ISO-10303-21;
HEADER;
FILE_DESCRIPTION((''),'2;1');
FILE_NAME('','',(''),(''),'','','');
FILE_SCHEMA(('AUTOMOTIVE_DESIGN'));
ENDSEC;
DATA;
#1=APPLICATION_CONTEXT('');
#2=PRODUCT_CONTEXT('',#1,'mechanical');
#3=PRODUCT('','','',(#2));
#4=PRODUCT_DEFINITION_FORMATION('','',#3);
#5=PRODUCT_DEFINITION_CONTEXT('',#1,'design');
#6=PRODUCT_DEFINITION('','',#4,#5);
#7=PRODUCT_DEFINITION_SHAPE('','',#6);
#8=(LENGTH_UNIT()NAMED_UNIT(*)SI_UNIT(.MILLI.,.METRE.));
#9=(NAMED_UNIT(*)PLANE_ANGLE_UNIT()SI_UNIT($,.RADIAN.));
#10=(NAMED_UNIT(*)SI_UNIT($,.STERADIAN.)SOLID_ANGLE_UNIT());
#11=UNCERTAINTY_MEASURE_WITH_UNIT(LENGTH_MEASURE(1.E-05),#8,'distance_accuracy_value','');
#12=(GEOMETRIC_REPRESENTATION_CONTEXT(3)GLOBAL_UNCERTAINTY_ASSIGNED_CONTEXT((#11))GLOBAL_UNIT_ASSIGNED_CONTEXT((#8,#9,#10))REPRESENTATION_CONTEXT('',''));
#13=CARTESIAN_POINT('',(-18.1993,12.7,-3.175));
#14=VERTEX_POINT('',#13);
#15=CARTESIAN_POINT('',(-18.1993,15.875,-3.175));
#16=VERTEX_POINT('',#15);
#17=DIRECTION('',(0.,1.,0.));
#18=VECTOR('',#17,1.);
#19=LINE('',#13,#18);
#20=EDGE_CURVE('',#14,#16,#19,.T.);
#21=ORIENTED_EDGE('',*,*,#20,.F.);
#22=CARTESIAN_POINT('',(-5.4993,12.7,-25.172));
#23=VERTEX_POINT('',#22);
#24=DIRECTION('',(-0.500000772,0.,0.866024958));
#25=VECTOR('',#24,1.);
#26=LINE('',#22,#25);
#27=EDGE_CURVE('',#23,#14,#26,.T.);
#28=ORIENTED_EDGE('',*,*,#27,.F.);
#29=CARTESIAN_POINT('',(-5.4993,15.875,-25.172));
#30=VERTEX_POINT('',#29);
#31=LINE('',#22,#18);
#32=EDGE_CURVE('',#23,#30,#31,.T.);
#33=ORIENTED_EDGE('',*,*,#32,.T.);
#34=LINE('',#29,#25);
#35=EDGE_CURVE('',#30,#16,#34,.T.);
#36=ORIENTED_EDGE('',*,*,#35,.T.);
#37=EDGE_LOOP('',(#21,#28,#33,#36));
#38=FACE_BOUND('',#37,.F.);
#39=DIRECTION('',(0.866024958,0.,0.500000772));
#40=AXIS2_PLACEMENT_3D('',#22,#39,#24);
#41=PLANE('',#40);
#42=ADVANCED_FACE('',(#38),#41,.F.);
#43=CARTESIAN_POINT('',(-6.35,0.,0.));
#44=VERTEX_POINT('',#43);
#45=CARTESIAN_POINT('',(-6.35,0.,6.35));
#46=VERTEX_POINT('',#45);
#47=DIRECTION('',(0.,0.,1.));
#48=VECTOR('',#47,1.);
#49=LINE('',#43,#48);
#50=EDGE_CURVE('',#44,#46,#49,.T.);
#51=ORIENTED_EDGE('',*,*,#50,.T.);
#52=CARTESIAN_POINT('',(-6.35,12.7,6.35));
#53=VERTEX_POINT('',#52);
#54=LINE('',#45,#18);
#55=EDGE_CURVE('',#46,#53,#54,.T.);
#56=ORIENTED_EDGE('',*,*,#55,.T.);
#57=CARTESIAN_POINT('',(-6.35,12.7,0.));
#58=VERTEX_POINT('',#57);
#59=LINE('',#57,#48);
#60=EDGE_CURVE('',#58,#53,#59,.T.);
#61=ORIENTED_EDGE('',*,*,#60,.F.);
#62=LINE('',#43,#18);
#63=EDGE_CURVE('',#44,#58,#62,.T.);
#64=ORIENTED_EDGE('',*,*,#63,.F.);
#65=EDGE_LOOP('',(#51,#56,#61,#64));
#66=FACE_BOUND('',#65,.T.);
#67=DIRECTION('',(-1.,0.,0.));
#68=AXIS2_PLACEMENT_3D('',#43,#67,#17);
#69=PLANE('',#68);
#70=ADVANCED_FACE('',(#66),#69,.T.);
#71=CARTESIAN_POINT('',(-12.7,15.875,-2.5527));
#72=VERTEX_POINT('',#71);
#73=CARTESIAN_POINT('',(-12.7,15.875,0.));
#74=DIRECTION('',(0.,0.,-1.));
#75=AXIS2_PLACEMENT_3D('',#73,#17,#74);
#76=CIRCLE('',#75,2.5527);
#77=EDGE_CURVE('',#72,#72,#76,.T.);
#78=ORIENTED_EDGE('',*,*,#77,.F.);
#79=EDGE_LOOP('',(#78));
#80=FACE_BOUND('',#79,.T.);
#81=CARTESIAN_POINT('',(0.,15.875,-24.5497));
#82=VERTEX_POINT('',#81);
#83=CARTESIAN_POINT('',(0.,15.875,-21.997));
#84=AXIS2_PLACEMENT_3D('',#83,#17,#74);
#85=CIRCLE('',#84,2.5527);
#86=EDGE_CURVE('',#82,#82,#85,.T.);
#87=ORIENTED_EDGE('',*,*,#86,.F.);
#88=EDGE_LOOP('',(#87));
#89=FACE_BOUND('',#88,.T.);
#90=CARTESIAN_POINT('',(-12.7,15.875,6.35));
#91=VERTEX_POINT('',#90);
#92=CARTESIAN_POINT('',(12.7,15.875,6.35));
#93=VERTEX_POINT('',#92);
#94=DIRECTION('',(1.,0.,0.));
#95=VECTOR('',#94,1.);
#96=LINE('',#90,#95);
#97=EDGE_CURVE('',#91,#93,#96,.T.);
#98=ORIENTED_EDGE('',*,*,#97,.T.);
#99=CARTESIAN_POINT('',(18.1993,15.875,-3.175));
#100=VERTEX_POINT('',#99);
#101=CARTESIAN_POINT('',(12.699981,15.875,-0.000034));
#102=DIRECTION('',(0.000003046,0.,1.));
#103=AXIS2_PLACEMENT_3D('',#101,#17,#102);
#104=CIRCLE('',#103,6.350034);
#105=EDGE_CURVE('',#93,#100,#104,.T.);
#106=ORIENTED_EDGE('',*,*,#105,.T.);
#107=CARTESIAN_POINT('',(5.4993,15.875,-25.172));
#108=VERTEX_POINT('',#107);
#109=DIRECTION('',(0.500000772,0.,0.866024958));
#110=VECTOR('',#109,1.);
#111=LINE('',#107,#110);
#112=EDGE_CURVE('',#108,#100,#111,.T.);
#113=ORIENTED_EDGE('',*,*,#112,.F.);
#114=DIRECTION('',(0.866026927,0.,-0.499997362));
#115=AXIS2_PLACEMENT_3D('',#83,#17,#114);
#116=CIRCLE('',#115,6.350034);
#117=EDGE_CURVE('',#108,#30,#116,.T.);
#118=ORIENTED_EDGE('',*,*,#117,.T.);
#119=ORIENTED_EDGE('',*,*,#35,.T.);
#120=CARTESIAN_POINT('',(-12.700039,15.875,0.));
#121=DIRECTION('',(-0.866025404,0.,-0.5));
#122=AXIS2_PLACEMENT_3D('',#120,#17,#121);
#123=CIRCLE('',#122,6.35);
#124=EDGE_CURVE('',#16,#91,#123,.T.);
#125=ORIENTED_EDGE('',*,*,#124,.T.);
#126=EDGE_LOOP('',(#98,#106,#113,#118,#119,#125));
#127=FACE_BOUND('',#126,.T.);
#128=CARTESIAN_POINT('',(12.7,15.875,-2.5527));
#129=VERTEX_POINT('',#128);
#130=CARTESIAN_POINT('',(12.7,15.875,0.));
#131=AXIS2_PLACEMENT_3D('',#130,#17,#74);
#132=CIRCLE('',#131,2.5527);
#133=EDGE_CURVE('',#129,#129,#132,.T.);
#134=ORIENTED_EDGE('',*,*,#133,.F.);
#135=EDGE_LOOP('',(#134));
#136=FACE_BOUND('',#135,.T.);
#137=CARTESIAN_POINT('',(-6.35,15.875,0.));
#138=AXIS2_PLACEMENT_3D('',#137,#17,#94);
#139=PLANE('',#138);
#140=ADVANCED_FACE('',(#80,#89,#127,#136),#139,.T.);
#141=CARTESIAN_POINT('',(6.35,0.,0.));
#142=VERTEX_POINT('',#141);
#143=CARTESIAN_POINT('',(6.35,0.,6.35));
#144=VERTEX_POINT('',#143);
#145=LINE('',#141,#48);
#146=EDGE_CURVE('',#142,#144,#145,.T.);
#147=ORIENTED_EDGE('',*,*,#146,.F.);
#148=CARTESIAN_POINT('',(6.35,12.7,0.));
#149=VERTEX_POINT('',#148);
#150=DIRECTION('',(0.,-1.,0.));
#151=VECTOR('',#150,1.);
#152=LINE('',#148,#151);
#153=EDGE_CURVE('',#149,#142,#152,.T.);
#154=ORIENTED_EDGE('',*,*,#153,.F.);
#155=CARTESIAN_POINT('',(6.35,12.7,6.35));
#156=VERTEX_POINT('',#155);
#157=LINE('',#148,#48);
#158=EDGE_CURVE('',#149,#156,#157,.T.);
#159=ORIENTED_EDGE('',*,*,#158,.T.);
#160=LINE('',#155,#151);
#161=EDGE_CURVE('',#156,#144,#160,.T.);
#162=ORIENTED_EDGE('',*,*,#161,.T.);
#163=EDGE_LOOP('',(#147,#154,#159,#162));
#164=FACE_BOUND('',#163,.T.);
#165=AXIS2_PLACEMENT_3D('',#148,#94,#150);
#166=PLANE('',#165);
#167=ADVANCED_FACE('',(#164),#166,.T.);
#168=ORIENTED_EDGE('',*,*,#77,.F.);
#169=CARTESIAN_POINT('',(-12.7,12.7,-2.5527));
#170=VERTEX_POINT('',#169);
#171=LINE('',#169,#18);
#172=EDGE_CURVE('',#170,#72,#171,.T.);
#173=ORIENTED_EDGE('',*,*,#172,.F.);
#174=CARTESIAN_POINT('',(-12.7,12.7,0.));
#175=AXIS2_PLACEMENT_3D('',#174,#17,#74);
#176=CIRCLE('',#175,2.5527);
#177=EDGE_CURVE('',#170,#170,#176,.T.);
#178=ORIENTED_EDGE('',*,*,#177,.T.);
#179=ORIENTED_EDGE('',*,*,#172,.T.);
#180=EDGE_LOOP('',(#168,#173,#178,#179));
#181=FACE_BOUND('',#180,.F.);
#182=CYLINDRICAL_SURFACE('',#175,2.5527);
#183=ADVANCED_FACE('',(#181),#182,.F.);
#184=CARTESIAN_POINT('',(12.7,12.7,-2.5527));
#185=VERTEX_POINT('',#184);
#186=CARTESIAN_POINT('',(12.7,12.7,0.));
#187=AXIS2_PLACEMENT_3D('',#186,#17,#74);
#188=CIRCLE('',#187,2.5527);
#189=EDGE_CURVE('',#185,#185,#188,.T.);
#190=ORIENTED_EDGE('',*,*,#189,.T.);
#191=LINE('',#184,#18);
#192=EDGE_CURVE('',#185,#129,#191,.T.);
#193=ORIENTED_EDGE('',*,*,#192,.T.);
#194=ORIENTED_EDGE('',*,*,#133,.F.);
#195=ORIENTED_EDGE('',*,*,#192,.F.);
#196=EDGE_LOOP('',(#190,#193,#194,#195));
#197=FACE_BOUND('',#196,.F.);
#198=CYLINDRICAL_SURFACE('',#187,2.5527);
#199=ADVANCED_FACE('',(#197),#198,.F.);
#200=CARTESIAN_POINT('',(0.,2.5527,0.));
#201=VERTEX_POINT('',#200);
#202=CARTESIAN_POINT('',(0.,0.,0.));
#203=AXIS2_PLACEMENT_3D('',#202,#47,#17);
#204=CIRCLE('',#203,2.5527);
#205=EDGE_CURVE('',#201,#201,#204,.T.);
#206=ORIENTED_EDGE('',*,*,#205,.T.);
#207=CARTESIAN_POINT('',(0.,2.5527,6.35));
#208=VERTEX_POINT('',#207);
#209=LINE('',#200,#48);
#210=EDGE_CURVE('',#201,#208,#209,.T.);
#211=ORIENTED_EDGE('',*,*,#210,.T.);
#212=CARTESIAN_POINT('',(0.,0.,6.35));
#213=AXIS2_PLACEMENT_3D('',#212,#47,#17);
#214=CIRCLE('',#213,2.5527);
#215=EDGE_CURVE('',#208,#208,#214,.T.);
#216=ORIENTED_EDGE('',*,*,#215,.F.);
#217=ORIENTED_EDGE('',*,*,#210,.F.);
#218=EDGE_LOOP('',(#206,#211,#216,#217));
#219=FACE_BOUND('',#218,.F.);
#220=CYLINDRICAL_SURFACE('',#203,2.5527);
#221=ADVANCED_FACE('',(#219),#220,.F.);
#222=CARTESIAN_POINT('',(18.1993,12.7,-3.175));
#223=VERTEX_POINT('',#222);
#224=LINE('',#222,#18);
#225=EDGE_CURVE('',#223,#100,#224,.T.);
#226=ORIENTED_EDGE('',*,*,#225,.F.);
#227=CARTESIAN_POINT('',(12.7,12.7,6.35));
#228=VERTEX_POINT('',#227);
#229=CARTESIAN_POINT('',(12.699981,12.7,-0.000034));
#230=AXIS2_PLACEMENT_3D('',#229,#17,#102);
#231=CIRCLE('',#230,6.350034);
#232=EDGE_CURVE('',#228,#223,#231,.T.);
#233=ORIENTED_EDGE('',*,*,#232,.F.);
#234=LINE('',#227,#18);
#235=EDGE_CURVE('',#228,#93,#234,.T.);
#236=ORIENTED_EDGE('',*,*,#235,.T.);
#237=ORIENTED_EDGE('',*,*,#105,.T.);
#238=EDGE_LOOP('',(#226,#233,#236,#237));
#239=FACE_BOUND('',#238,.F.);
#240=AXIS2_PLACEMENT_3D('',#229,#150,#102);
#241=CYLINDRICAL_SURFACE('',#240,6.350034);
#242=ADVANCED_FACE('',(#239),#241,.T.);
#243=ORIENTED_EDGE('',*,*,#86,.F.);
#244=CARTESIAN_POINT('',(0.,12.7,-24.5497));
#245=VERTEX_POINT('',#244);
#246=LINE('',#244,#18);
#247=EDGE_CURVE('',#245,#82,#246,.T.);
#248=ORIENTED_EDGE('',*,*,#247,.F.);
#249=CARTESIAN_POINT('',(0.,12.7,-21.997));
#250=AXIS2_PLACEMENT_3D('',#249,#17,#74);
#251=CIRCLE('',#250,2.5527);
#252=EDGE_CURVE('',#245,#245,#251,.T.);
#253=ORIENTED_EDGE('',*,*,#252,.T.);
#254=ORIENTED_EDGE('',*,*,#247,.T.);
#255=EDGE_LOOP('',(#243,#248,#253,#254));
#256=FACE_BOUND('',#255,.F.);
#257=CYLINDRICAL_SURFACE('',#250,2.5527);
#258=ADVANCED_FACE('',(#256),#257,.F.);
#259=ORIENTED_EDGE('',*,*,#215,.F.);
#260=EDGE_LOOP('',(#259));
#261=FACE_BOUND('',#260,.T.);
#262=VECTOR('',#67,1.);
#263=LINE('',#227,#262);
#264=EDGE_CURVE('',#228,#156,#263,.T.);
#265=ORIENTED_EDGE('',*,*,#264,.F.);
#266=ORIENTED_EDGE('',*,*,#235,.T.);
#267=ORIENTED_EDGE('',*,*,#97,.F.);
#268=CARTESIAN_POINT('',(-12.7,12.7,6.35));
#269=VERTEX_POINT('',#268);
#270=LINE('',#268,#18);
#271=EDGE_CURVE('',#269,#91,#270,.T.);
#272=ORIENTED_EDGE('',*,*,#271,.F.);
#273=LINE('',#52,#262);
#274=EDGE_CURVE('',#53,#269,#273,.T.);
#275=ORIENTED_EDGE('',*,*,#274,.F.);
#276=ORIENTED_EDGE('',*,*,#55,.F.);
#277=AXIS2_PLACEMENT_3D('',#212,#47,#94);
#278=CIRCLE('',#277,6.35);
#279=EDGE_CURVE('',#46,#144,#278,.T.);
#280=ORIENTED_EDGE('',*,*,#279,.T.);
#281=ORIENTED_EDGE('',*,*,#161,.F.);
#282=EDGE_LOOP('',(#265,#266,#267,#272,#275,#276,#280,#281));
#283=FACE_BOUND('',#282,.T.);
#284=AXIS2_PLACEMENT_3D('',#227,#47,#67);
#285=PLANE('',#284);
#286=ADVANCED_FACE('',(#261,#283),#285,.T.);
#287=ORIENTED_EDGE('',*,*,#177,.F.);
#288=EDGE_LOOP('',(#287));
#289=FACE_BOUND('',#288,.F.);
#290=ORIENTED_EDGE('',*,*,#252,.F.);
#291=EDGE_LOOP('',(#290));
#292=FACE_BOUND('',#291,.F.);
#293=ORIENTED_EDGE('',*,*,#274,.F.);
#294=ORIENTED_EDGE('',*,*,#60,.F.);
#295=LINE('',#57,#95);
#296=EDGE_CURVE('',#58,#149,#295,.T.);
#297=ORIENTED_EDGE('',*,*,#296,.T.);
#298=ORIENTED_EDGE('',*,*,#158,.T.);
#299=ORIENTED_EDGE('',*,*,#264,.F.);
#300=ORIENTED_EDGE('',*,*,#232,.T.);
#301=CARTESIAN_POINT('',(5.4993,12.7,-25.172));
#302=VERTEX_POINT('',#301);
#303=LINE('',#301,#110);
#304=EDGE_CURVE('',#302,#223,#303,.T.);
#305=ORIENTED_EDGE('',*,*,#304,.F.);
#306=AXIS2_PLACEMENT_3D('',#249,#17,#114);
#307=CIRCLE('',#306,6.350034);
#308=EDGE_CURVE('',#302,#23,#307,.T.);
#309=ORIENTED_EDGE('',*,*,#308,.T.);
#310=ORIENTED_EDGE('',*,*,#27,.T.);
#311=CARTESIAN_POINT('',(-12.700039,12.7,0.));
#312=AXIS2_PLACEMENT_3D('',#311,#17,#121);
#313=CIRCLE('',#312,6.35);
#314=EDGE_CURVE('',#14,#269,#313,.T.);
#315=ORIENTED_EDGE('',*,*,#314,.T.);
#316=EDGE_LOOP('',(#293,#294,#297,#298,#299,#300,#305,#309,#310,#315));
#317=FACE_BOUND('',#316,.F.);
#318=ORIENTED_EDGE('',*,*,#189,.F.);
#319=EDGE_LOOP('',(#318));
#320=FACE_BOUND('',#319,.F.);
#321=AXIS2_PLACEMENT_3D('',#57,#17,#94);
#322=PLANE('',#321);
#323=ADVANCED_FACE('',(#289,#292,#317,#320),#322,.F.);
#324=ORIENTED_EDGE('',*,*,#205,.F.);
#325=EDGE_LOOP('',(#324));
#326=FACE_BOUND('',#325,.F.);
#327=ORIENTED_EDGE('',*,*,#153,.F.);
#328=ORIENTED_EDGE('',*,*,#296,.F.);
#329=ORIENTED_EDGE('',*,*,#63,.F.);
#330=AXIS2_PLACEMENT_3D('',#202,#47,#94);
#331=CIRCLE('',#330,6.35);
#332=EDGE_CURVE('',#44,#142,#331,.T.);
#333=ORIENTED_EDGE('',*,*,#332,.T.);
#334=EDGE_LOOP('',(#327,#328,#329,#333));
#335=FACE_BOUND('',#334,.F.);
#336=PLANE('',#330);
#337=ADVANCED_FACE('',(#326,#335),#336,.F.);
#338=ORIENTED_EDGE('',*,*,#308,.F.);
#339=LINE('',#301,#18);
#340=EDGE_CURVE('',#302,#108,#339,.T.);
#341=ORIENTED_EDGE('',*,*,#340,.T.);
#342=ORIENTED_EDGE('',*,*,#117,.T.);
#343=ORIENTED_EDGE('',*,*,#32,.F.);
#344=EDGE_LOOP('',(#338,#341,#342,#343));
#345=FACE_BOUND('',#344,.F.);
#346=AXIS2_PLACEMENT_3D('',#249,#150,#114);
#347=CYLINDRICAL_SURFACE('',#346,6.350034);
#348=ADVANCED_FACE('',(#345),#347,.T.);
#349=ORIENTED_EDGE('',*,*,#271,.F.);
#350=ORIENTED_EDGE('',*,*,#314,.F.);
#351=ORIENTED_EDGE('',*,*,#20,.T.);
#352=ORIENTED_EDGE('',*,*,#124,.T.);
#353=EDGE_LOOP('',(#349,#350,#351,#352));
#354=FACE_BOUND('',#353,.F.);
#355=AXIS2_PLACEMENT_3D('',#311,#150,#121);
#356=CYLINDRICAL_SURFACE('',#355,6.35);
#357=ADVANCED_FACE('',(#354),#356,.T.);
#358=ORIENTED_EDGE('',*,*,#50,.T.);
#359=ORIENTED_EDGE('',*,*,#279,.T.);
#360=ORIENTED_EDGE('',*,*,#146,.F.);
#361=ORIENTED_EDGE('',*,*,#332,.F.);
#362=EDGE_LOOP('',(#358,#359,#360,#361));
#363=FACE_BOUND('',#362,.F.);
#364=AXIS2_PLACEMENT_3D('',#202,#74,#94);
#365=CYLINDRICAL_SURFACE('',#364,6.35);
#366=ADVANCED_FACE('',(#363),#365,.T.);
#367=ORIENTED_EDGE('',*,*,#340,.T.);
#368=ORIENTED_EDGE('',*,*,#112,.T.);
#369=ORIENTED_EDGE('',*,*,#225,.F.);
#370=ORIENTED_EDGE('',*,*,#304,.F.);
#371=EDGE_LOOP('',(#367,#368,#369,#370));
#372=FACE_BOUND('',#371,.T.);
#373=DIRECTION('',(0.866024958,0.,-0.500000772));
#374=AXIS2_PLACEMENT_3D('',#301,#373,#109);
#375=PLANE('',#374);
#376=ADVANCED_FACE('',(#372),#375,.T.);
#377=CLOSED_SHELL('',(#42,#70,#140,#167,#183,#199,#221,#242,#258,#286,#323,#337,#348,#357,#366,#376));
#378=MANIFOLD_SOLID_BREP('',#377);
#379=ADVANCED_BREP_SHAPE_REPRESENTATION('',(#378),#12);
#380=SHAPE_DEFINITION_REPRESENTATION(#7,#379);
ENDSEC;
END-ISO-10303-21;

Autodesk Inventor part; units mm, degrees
ref_plane "YZ Plane" through (0, 0, 0) normal (1, 0, 0) x (0, 1, 0)
ref_plane "XZ Plane" through (0, 0, 0) normal (0, 1, 0) x (-1, 0, 0)
ref_plane "XY Plane" through (0, 0, 0) normal (0, 0, 1) x (1, 0, 0)
sketch "Sketch1" plane through (0, 0, 0) normal (0, 0, 1) x (1, 0, 0)
  circle A0 centre (0, 0) radius 6.35
  line L0 (-6.35, 0) -> (-6.35, 12.7)
  line L1 (-6.35, 12.7) -> (6.35, 12.7)
  line L2 (6.35, 12.7) -> (6.35, 0)
  dimension "d0" = 12.7
  dimension "d1" = 12.7
extrude "Extrusion1" add sketch "Sketch1" along normal blind 6.35
hole "Hole1" at (0, 0, 0) direction (0, 0, 1) diameter 5.1054 end through all clearance for "Flat Head Machine Screw (82)" size "#10" standard "Ansi Unified Screw Threads"
sketch "Sketch2" plane through (-6.35, 12.7, 0) normal (0, 1, 0) x (1, 0, 0)
  line L0 (6.35, 0) -> (19.05, 0) construction
  line L1 (6.35, 0) -> (-6.35, 0) construction
  line L2 (-6.35, 0) -> (6.35, 21.997) construction
  line L3 (6.35, 21.997) -> (19.05, 0) construction
  circle A0 centre (19.05, 0) radius 6.35 construction
  circle A1 centre (-6.35, 0) radius 6.35 construction
  circle A2 centre (6.35, 21.997) radius 6.35 construction
  line L4 (0.8507, 25.172) -> (-11.8493, 3.175)
  line L5 (11.8493, 25.172) -> (24.5493, 3.175)
  line L6 (19.05, -6.35) -> (12.7, -6.35)
  line L7 (0, -6.35) -> (12.7, -6.35) projected
  line L8 (12.7, -6.35) -> (0, -6.35)
  line L9 (0, -6.35) -> (-6.35, -6.35)
  arc A3 (-11.8493, 3.175) -> (-6.35, -6.35) centre (-6.35, 0) ccw
  arc A4 (11.8493, 25.172) -> (0.8507, 25.172) centre (6.35, 21.997) ccw
  arc A5 (19.05, -6.35) -> (24.5493, 3.175) centre (19.05, 0) ccw
  dimension "d11" = 12.7
  dimension "d12" = 12.7
  dimension "d13" = 25.4
  dimension "d14" = 25.4
  dimension "d15" = 12.7
  dimension "d16" = 12.7
  dimension "d17" = 12.7
extrude "Extrusion2" add sketch "Sketch2" along normal blind 3.175
hole "Hole2" at (12.7, 12.7, 0) at (0, 12.7, -21.997) at (-12.7, 12.7, 0) direction (0, 1, 0) diameter 5.1054 end through all clearance for "Flat Head Machine Screw (82)" size "#10" standard "Ansi Unified Screw Threads"
properties part number "Table Holder"
